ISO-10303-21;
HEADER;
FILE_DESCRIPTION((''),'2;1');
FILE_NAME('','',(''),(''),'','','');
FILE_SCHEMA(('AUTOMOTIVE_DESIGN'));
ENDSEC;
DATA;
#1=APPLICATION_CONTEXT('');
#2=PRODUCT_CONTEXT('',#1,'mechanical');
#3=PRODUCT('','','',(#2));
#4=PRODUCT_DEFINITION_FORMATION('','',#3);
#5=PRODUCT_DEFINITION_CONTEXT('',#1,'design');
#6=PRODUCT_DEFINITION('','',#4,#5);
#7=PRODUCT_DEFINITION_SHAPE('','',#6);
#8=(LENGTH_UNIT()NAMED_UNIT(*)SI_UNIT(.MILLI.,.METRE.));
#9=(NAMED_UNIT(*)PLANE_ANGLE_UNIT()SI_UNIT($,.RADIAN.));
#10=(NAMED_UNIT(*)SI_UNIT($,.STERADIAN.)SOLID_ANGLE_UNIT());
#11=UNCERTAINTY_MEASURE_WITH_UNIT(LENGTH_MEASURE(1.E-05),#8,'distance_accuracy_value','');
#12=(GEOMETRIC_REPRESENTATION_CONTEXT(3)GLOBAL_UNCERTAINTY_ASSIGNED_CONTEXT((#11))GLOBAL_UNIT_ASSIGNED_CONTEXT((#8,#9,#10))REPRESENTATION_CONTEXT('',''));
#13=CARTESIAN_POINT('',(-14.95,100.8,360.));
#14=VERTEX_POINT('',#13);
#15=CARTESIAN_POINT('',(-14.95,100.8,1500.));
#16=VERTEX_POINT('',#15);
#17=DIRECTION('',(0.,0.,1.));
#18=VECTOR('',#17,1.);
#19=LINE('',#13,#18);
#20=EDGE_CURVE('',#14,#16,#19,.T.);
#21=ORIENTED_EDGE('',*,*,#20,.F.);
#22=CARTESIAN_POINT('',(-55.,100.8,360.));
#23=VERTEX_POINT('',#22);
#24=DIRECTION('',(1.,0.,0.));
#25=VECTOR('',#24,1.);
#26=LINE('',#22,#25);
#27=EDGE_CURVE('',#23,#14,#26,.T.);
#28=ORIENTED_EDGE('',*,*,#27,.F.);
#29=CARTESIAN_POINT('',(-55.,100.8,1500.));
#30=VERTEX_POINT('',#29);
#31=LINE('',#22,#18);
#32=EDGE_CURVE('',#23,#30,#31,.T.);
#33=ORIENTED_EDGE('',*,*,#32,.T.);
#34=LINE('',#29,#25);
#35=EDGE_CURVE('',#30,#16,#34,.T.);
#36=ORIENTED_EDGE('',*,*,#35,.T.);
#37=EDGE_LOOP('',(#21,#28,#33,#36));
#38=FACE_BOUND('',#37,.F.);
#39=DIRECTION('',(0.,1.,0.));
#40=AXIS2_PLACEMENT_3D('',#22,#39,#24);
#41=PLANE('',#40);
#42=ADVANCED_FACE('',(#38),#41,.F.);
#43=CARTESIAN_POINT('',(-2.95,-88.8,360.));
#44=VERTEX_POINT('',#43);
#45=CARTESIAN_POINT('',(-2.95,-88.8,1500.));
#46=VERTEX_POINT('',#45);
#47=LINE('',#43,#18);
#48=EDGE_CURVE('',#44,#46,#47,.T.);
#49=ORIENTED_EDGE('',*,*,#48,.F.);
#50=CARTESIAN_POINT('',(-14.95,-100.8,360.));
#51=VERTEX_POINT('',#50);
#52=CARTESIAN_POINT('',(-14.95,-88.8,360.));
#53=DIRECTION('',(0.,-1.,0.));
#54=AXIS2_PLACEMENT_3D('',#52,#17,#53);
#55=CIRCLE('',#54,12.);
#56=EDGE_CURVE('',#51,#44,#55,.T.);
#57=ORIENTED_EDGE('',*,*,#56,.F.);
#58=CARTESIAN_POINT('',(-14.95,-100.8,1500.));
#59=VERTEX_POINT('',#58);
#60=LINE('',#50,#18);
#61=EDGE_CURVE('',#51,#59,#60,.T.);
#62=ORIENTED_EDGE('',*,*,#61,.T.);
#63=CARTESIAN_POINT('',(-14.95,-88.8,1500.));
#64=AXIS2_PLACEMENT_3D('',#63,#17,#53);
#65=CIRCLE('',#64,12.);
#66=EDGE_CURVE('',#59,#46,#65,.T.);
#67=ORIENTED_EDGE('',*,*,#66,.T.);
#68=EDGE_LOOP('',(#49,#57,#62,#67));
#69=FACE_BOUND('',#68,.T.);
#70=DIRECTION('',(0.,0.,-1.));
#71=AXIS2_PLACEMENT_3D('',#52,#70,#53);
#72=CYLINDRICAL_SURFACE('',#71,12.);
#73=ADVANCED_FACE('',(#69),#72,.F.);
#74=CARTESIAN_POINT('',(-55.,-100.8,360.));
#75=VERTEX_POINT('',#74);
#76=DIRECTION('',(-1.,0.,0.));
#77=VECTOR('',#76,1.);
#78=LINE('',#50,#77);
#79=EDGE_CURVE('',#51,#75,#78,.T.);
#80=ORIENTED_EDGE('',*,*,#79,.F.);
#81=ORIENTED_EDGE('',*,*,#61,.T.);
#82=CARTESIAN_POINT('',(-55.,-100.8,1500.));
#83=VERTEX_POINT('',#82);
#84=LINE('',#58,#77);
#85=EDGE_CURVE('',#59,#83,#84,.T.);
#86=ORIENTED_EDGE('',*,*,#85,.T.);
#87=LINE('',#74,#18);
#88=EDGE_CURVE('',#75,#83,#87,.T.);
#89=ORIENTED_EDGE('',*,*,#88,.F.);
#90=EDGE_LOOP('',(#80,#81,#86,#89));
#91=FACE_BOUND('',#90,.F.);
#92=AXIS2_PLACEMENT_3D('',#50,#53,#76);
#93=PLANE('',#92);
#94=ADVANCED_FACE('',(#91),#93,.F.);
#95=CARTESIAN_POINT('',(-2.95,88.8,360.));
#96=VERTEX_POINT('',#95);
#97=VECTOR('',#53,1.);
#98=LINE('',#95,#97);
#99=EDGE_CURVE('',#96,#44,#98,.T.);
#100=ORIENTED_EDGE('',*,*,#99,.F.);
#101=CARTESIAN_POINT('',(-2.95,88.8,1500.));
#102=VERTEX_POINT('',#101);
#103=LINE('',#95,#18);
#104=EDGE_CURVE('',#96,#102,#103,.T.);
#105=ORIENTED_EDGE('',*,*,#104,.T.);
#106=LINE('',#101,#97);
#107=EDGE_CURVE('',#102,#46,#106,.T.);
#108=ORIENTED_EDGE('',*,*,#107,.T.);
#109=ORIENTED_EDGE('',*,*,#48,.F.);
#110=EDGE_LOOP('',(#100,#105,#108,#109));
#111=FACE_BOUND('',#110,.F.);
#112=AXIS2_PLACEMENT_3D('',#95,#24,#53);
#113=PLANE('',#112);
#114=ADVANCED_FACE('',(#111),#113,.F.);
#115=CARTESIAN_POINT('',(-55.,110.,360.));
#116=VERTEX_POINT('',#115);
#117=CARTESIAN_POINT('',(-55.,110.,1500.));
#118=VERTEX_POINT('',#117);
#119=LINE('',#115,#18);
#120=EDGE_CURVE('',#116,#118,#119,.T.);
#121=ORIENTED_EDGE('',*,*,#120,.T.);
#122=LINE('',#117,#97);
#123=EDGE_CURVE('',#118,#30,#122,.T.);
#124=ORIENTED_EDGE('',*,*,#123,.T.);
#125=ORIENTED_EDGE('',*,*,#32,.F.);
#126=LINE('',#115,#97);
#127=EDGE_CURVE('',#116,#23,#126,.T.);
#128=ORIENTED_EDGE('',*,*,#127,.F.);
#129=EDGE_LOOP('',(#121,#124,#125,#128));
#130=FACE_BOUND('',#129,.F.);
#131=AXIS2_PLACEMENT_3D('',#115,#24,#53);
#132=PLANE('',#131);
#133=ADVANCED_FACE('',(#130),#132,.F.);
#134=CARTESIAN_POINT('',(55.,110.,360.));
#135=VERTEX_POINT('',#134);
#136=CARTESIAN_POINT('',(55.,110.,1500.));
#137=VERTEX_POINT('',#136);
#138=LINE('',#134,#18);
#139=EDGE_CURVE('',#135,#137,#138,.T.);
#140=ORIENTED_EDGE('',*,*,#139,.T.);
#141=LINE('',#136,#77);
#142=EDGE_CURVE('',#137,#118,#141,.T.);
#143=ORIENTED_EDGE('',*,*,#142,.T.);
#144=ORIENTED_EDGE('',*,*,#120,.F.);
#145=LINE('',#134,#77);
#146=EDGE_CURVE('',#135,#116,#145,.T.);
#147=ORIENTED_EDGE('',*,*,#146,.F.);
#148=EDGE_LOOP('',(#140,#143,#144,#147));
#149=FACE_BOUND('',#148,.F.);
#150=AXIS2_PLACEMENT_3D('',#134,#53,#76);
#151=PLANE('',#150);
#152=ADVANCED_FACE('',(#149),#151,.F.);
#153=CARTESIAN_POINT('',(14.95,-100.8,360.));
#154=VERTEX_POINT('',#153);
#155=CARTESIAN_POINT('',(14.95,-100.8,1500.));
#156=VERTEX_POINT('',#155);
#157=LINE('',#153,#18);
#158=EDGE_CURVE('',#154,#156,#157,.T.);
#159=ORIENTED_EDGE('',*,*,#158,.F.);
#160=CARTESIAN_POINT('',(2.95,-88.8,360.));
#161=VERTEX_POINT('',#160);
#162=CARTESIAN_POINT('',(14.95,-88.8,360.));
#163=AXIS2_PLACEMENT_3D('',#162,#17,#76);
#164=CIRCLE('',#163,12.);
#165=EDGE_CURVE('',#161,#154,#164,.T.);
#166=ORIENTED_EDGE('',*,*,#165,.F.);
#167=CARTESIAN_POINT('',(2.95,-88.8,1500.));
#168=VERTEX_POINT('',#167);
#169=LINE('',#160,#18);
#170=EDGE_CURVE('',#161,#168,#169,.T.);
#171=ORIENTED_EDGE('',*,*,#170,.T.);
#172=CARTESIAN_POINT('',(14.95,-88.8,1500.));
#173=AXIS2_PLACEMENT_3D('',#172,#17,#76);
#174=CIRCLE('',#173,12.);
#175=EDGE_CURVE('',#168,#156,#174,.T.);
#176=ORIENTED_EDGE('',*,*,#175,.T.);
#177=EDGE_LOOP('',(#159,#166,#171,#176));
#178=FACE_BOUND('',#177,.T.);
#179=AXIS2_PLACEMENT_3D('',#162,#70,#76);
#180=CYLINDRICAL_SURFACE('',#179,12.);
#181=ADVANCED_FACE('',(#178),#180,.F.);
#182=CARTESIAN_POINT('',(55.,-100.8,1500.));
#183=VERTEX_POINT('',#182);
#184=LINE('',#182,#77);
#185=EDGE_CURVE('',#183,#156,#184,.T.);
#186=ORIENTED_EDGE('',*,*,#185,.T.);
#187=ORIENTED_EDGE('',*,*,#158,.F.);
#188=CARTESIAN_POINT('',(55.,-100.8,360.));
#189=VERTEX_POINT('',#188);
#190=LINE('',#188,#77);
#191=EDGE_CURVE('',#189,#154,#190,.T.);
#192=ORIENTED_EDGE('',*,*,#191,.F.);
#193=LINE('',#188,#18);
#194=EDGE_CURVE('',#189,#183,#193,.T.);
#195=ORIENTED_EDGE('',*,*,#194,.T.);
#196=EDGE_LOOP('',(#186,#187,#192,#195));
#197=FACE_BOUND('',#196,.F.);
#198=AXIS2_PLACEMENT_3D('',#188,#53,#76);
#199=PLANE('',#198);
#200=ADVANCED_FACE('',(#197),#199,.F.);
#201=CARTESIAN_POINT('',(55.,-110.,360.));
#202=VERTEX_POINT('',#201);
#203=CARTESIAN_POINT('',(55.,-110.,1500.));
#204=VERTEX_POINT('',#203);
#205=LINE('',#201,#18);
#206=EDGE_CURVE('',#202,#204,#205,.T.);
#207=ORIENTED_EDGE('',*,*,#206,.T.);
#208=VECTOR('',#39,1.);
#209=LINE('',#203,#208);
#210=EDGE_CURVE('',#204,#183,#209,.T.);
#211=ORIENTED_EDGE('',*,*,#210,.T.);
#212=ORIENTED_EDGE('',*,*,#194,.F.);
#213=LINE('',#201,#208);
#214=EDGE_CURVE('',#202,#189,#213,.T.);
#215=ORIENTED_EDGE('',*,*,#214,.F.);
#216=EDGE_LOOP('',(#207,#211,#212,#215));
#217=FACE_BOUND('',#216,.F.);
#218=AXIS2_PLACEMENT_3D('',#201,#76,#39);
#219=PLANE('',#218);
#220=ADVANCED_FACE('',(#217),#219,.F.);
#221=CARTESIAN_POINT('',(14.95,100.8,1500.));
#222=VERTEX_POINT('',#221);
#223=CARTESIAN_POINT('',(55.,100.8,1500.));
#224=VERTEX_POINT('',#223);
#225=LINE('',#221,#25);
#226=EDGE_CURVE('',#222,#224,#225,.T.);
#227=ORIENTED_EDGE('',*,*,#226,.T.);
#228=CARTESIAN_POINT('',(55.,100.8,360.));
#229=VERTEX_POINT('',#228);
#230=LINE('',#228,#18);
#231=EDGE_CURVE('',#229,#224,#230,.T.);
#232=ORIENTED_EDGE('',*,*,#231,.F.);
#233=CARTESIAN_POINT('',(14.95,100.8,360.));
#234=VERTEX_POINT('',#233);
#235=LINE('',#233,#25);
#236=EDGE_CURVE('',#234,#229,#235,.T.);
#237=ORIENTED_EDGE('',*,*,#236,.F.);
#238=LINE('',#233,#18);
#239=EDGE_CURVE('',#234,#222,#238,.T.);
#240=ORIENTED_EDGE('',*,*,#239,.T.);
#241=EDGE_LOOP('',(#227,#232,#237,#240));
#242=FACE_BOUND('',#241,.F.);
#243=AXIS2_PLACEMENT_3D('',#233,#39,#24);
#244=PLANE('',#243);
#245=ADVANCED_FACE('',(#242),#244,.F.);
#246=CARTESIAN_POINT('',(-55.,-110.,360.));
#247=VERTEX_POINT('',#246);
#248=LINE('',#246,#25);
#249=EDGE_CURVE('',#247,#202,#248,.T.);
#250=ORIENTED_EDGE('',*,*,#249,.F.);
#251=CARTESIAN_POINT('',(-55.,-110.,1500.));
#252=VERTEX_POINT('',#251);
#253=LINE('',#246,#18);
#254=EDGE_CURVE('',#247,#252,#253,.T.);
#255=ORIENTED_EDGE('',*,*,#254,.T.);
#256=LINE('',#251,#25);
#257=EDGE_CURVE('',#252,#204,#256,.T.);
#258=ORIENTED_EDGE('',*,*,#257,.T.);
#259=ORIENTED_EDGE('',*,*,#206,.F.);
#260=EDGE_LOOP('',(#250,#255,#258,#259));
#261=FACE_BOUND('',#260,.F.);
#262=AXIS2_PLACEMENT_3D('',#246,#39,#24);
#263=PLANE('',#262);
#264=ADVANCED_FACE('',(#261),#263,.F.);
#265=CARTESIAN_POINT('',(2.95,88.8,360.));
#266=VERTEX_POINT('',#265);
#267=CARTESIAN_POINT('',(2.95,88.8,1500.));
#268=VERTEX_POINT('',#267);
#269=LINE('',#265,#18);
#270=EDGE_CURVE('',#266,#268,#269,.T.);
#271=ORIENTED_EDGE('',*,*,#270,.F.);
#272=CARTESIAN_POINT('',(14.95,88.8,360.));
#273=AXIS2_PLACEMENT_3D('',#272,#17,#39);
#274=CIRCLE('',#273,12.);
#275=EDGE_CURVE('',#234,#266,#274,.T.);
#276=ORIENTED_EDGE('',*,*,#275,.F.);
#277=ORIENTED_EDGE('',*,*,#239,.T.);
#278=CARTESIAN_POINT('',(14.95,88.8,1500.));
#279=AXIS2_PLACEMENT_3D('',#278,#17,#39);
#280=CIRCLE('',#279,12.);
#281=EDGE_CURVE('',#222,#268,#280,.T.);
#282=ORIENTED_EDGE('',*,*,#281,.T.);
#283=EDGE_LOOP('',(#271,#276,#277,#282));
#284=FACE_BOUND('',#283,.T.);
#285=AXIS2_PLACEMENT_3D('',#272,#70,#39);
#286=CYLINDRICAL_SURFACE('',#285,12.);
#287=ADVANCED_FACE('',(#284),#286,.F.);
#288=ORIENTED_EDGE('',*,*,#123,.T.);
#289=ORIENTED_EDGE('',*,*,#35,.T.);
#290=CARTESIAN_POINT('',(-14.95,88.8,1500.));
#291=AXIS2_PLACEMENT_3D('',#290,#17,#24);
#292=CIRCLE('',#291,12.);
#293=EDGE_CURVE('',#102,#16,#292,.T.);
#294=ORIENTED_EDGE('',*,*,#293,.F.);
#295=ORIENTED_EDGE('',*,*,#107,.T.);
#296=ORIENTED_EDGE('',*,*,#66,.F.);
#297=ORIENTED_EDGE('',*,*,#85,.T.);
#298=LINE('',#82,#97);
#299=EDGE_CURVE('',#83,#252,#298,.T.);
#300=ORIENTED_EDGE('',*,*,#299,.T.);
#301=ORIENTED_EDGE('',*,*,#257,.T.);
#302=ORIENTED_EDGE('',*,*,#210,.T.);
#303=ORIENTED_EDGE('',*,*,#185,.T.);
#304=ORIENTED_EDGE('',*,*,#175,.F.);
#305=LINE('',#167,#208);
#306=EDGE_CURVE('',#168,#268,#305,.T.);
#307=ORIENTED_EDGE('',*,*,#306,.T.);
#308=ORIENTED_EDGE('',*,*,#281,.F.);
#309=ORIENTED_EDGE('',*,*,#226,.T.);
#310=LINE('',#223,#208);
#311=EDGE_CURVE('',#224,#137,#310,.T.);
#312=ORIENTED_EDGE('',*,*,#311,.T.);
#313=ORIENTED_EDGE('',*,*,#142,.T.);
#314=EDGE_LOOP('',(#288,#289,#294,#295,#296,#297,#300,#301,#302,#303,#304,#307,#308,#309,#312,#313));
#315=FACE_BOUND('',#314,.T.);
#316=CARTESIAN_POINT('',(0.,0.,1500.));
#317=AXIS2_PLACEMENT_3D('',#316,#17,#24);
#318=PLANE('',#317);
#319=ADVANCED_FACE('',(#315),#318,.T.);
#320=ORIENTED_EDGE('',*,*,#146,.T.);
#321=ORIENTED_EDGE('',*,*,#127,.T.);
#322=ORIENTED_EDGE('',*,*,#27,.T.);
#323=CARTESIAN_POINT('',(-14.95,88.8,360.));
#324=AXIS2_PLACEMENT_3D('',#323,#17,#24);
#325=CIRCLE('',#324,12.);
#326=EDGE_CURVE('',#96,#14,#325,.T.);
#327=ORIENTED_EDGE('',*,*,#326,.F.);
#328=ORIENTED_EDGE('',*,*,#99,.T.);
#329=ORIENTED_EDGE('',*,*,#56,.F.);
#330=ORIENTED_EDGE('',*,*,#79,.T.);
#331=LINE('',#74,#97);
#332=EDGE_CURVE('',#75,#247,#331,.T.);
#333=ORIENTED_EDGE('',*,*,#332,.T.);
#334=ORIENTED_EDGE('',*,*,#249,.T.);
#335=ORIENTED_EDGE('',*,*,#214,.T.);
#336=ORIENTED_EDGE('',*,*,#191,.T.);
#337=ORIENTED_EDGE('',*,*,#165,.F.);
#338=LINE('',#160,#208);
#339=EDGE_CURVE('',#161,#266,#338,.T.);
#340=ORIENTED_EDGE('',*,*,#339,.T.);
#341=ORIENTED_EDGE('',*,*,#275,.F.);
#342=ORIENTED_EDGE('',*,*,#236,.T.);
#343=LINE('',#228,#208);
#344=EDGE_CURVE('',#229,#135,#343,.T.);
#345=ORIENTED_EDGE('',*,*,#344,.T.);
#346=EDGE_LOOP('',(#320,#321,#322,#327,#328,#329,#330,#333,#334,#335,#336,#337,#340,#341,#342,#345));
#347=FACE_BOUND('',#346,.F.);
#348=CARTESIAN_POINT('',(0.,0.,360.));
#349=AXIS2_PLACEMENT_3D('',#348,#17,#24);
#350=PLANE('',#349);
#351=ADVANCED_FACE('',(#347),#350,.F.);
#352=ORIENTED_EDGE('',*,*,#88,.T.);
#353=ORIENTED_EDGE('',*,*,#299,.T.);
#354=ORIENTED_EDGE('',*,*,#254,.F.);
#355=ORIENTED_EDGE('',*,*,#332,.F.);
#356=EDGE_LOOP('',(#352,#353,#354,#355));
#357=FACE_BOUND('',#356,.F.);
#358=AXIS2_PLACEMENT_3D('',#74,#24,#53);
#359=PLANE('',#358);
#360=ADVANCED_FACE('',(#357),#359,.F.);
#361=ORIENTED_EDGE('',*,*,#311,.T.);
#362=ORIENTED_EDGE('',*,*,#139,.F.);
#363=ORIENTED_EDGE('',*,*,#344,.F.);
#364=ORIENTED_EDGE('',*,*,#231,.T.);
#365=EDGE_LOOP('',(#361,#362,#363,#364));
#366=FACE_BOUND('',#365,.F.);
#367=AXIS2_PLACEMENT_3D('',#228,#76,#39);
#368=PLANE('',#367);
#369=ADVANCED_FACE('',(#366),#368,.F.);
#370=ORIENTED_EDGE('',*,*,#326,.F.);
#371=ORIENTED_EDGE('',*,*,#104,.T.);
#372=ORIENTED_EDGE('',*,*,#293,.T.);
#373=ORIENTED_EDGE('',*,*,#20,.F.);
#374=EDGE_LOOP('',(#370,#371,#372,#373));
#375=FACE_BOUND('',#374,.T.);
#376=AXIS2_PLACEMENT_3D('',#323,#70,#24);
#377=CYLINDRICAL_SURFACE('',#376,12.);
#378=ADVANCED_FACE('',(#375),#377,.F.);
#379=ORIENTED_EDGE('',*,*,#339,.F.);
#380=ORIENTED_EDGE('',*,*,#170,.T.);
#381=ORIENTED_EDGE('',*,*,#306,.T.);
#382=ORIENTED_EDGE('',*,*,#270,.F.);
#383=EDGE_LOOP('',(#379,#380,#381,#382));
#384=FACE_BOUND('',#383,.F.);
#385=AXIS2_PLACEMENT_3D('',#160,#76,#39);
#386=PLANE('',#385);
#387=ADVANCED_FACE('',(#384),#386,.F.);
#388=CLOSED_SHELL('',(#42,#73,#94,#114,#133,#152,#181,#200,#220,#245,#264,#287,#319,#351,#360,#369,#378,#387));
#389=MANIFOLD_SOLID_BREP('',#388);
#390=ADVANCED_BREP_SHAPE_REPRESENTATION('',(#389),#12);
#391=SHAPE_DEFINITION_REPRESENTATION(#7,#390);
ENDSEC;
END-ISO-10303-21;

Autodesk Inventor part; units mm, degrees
ref_plane "Start plane" through (0, 0, 360) normal (0, 0, 1) x (1, 0, 0)
ref_plane "End plane" through (0, 0, 1500) normal (0, 0, 1) x (1, 0, 0)
sketch "Sketch2" plane through (0, 0, 0) normal (0, 0, 1) x (1, 0, 0)
  line L0 (-55, 100.8) -> (-14.95, 100.8)
  line L1 (-55, 110) -> (-55, 100.8)
  line L2 (55, 110) -> (-55, 110)
  line L3 (55, 100.8) -> (55, 110)
  line L4 (14.95, 100.8) -> (55, 100.8)
  line L5 (2.95, -88.8) -> (2.95, 88.8)
  line L6 (55, -100.8) -> (14.95, -100.8)
  line L7 (55, -110) -> (55, -100.8)
  line L8 (-55, -100.8) -> (-55, -110)
  line L9 (-14.95, -100.8) -> (-55, -100.8)
  line L10 (-2.95, 88.8) -> (-2.95, -88.8)
  line L11 (0, -154) -> (0, 154) construction
  line L12 (-2.95, -100.8) -> (2.95, -100.8) construction
  arc A0 (-14.95, -100.8) -> (-2.95, -88.8) centre (-14.95, -88.8) ccw
  arc A1 (-2.95, 88.8) -> (-14.95, 100.8) centre (-14.95, 88.8) ccw
  arc A2 (14.95, 100.8) -> (2.95, 88.8) centre (14.95, 88.8) ccw
  arc A3 (2.95, -88.8) -> (14.95, -100.8) centre (14.95, -88.8) ccw
  line L13 (-77, 0) -> (77, 0) construction
  line L14 (-55, -110) -> (55, -110)
  point P0 (-2.95, 100.8)
  point P1 (2.95, 100.8)
  point P2 (0, 0)
  point P3 (0, -100.8)
  point P4 (0, 0)
  dimension "d1" = 220
  dimension "d3" = 9.2
  dimension "d5" = 5.9
  dimension "d7" = 110
  dimension "d13" = 12
  dimension "d14" = 110
  dimension "d15" = 55
extrude "Body" add sketch "Sketch2" along normal up to surface (1140 mm away) from surface at 360
sketch "Sketch3" plane through (0, 0, 0) normal (0, 0, 1) x (1, 0, 0)
  line L0 (0, 0) -> (10, 0)
ref_plane "Work Plane3" through (0, 0, 0) normal (0, -1, 0) x (1, 0, 0)
ref_plane "Work Plane4" through (-85, 0, 360) normal (0, 0, -1) x (-1, 0, 0)
split "Split1" plane through (-85, 0, 360) removes the side toward (0, 0, -1)
sketch "Sketch4" plane through (0, 0, 0) normal (0, -1, 0) x (1, 0, 0)
  line L0 (-2, 360) -> (12, 360) projected
  line L1 (-2, 1500) -> (12, 1500) projected
  dimension "d19" = 1140
equation "\"d1\" = ParH"
equation "\"d3\" = t2"
equation "\"d5\" = t1"
equation "\"d7\" = b"
equation "\"d13\" = R1"
equation "\"d14\" = 0.5 * d1"
equation "\"d15\" = 0.5 * d7"
equation "\"d8\" = G_L"
equation "\"b\" = 110"
equation "\"ParH\" = 220"
equation "\"R1\" = 12"
equation "\"G_L\" = d19"
equation "\"t1\" = 5.9"
equation "\"t2\" = 9.2"
equation "\"G_OFFSET_END\" = 0"
properties part number "DIN 1025 - IPE 220-1140" material "Steel, Mild"
